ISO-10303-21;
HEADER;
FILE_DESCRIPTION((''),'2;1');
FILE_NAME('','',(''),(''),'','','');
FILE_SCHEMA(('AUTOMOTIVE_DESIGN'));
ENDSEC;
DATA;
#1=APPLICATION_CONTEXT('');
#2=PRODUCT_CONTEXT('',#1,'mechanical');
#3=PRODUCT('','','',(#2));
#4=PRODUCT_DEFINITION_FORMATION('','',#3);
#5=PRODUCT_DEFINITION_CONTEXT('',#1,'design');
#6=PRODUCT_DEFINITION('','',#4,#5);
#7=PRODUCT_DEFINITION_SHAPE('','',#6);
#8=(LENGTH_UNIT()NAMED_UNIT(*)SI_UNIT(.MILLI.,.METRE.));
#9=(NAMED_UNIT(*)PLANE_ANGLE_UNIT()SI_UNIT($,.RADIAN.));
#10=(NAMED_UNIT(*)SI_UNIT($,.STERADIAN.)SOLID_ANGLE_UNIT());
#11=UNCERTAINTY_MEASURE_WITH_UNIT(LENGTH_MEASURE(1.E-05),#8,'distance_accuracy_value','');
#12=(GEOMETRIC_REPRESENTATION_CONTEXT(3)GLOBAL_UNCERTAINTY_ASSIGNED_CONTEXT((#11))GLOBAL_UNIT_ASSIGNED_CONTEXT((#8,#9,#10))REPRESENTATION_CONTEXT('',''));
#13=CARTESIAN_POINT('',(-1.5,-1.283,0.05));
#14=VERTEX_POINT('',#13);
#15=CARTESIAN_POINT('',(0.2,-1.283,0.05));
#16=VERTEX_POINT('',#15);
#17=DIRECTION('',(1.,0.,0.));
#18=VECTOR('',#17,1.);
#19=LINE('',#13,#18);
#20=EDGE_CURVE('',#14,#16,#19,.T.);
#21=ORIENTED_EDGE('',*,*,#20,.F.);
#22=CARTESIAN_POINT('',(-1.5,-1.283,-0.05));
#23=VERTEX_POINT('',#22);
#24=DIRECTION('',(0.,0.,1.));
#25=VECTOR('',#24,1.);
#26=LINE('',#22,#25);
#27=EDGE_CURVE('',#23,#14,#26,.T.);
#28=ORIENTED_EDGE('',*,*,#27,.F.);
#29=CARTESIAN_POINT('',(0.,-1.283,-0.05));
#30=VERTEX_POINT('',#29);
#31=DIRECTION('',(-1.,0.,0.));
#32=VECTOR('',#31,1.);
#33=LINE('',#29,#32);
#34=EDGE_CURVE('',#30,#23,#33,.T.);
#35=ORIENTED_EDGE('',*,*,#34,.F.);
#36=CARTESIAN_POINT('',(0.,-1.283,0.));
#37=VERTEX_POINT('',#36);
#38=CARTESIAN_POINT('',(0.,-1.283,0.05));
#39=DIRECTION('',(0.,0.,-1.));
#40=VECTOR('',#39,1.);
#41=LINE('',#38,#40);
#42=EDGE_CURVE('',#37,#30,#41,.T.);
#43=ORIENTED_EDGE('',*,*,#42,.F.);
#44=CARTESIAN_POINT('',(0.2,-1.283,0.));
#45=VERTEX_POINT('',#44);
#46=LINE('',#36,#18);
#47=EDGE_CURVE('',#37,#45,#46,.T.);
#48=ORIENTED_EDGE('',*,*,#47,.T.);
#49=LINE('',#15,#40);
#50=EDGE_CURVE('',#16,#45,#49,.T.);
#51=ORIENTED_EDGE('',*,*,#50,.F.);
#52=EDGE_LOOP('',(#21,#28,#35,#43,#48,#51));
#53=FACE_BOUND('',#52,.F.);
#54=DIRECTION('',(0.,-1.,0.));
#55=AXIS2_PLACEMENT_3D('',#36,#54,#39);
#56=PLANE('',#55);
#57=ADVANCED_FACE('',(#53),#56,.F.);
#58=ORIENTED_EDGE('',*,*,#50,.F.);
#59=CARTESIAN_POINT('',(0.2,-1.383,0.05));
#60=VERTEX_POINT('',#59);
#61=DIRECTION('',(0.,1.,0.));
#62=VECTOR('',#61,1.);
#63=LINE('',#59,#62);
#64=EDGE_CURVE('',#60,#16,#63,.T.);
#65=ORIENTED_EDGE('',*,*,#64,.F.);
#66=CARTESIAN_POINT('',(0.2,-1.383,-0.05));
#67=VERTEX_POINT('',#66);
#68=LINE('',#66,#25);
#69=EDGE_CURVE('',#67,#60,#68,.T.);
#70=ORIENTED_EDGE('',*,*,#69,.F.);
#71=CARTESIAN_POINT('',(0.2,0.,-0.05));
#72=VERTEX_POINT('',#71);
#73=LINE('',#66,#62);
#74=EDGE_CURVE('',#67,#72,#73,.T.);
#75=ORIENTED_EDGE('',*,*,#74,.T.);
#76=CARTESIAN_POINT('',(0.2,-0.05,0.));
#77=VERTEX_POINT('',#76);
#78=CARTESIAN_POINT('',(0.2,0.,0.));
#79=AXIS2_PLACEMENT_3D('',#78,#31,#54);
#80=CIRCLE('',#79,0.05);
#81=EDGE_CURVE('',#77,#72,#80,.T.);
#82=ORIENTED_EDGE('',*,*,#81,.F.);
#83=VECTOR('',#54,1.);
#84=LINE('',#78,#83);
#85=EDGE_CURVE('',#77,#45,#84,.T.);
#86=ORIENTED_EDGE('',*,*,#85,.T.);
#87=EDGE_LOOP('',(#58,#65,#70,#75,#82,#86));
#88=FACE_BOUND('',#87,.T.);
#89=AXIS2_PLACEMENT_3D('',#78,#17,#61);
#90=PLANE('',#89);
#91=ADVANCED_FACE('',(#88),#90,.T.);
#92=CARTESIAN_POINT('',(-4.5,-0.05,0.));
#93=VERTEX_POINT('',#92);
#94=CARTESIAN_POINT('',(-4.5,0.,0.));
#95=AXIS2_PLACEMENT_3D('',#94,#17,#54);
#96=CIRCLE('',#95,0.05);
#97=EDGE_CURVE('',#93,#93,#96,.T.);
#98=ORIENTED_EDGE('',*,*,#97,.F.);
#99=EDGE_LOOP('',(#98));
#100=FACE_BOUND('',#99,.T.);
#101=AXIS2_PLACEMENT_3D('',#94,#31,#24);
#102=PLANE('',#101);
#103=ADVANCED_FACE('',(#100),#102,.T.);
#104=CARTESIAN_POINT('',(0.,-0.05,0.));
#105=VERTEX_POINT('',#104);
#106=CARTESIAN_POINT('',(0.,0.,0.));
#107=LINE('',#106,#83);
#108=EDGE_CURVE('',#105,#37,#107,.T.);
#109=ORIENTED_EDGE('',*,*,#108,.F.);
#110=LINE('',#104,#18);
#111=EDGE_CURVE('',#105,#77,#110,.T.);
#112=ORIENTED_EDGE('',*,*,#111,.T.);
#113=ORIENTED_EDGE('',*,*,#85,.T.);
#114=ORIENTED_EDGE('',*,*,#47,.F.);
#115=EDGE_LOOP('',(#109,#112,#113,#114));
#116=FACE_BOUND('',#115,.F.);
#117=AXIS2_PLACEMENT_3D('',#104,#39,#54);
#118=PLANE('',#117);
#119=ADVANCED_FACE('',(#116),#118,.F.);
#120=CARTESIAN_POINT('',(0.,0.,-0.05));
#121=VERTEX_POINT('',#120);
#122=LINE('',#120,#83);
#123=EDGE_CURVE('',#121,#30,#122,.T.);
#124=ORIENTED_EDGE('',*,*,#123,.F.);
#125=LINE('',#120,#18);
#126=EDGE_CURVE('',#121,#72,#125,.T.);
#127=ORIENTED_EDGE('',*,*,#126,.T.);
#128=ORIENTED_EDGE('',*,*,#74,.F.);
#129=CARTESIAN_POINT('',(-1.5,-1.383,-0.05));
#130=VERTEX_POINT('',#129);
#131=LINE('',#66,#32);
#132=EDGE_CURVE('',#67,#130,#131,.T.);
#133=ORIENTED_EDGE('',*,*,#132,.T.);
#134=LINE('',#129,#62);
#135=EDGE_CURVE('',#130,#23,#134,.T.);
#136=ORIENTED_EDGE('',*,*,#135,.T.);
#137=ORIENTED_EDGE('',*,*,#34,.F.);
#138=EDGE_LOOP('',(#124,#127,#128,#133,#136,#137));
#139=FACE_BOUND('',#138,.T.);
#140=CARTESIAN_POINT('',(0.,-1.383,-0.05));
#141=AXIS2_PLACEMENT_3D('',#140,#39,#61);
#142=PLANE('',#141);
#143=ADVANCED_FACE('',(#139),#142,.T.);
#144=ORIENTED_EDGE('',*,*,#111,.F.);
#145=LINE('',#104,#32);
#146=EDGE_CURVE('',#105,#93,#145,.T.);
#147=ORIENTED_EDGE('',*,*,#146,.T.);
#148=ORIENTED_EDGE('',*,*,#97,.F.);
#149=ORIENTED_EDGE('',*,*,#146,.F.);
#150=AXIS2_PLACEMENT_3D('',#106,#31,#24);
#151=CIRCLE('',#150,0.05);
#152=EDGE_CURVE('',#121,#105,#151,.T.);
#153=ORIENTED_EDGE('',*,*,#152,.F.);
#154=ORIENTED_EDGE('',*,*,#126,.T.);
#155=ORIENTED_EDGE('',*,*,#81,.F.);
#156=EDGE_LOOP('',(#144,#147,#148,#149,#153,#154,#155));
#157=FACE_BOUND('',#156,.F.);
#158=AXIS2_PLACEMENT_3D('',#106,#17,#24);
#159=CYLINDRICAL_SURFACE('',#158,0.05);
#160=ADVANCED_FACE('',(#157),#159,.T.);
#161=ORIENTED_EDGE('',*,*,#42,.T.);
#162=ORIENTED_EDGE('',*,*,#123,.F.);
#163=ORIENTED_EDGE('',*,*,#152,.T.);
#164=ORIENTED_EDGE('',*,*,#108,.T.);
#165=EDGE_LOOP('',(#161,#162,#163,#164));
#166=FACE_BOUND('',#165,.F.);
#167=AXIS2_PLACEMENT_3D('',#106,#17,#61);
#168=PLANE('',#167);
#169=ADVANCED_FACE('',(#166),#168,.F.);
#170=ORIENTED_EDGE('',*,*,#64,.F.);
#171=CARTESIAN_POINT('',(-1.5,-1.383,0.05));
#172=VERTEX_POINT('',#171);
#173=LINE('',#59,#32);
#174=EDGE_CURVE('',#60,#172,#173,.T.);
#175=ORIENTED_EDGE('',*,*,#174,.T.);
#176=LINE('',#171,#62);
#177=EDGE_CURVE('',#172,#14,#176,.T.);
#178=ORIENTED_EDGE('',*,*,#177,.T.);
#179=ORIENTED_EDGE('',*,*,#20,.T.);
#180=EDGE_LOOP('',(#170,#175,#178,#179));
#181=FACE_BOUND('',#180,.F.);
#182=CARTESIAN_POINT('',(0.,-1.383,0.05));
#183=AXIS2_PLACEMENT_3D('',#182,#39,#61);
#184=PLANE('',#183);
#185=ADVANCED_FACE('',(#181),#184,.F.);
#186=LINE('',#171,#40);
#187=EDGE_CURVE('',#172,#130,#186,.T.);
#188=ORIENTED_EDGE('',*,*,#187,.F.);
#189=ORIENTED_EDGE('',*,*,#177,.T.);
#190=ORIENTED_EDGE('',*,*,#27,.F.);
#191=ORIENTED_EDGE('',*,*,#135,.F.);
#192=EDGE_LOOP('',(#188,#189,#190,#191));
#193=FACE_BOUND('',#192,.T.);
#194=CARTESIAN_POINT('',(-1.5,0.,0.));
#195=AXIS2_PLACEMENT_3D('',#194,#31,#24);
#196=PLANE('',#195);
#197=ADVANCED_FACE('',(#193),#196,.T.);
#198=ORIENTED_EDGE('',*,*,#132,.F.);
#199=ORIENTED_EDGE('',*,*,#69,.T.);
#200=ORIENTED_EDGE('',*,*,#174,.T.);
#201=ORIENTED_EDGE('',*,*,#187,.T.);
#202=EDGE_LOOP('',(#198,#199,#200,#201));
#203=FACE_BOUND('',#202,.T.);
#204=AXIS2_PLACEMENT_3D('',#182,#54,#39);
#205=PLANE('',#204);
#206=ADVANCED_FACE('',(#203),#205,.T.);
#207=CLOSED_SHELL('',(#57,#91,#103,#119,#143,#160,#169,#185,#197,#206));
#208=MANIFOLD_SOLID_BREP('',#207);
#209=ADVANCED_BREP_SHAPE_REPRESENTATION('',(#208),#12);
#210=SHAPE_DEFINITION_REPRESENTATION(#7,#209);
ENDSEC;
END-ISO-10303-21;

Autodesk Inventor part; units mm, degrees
ref_plane "YZ Plane" through (0, 0, 0) normal (1, 0, 0) x (0, 1, 0)
ref_plane "XZ Plane" through (0, 0, 0) normal (0, 1, 0) x (-1, 0, 0)
ref_plane "XY Plane" through (0, 0, 0) normal (0, 0, 1) x (1, 0, 0)
sketch "Sketch1" plane through (0, 0, 0) normal (1, 0, 0) x (0, 1, 0)
  circle A0 centre (0, 0) radius 0.05
  line L0 (0, 0) -> (-1.333, 0)
  line L1 (-1.383, 0.05) -> (-1.283, 0.05)
  line L2 (-1.283, 0.05) -> (-1.283, -0.05)
  line L3 (-1.283, -0.05) -> (-1.383, -0.05)
  line L4 (-1.383, -0.05) -> (-1.383, 0.05)
  line L5 (-1.383, 0.05) -> (-1.283, -0.05) construction
  line L6 (-1.283, 0.05) -> (-1.383, -0.05) construction
  line L7 (-1.283, -0.05) -> (0, -0.05)
  point P0 (-0.05, 0)
  point P1 (-1.283, 0)
  dimension "d0" = 0.1
  dimension "d1" = 1.333
  dimension "d2" = 0.1
  dimension "d3" = 0.1
extrude "Extrusion1" add sketch "Sketch1" along normal blind 0.2
sketch "Sketch2" plane through (0, 0, 0) normal (-1, 0, 0) x (0, 0, 1)
  arc A0 (0, -0.05) -> (-0.05, 0) centre (0, 0) ccw projected
  circle A1 centre (0, 0) radius 0.05
  point P0 (-0.05, 0)
  point P1 (0, -0.05)
  dimension "d6" = 0.1
extrude "Extrusion2" add sketch "Sketch2" along normal blind 4.5
sketch "Sketch3" plane through (0, 0, 0) normal (-1, 0, 0) x (0, 0, 1)
  line L0 (-0.05, -1.383) -> (-0.05, 0) projected
  line L1 (0.05, -1.383) -> (-0.05, -1.383) projected
  line L2 (-0.05, -1.383) -> (0.05, -1.383)
  line L3 (0, -1.283) -> (0.05, -1.283) projected
  line L4 (0.05, -1.383) -> (0.05, -1.283)
  line L5 (0.05, -1.283) -> (-0.05, -1.283)
  line L6 (-0.05, -1.283) -> (-0.05, -1.383)
  point P0 (0, 0)
extrude "Extrusion3" add sketch "Sketch3" along normal blind 1.5
properties part number "Bone21_20_Fix"
